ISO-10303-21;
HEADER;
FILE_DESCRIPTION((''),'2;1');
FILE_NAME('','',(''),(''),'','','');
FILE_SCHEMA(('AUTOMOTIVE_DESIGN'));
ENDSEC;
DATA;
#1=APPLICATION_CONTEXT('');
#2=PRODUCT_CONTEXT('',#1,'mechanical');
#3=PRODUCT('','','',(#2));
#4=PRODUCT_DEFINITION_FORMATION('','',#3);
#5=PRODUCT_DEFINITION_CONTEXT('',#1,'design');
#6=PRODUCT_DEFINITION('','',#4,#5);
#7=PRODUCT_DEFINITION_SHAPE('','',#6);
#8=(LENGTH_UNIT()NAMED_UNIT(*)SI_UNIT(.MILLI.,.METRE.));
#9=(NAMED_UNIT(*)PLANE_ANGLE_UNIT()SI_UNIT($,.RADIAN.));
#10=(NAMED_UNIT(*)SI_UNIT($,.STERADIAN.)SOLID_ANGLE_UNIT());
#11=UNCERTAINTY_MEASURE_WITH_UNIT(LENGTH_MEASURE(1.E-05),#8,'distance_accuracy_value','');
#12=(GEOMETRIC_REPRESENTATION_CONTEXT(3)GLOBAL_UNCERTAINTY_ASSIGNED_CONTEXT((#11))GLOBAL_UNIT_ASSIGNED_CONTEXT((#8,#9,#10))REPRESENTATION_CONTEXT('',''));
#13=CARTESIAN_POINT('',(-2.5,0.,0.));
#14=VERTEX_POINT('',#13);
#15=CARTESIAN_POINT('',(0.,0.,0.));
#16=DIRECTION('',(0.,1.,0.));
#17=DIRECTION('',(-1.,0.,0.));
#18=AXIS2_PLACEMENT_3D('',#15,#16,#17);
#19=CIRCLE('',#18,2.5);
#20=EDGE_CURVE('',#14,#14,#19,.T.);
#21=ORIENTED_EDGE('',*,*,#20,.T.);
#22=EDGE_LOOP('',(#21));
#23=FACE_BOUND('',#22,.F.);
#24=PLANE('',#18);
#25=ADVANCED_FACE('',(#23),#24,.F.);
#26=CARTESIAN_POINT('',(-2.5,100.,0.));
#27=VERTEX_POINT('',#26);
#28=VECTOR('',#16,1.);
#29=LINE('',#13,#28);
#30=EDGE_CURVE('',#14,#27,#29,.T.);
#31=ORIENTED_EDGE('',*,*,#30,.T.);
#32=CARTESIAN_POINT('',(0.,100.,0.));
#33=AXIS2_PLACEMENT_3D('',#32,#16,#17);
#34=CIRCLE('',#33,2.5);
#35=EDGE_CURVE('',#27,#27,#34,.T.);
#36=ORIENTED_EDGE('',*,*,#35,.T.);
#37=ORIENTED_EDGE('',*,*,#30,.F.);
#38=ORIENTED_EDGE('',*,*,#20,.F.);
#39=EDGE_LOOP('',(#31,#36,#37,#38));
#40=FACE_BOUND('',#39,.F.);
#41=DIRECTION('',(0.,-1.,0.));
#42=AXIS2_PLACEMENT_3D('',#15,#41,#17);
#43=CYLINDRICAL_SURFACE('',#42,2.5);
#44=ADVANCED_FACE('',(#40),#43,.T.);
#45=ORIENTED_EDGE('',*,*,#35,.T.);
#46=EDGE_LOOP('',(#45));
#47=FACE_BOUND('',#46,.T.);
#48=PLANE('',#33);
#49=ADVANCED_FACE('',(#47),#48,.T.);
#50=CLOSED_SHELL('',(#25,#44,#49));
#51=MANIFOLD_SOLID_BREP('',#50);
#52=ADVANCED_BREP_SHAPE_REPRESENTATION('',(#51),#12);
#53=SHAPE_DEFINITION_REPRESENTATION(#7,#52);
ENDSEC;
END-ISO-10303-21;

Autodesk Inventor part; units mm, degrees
ref_plane "YZ Plane" through (0, 0, 0) normal (1, 0, 0) x (0, 1, 0)
ref_plane "XZ Plane" through (0, 0, 0) normal (0, 1, 0) x (-1, 0, 0)
ref_plane "XY Plane" through (0, 0, 0) normal (0, 0, 1) x (1, 0, 0)
sketch "Sketch1" plane through (0, 0, 0) normal (0, 1, 0) x (-1, 0, 0)
  circle A0 centre (0, 0) radius 2.5
  dimension "d0" = 5
extrude "Extrusion1" add sketch "Sketch1" along normal blind 100
properties part number "Rod"
